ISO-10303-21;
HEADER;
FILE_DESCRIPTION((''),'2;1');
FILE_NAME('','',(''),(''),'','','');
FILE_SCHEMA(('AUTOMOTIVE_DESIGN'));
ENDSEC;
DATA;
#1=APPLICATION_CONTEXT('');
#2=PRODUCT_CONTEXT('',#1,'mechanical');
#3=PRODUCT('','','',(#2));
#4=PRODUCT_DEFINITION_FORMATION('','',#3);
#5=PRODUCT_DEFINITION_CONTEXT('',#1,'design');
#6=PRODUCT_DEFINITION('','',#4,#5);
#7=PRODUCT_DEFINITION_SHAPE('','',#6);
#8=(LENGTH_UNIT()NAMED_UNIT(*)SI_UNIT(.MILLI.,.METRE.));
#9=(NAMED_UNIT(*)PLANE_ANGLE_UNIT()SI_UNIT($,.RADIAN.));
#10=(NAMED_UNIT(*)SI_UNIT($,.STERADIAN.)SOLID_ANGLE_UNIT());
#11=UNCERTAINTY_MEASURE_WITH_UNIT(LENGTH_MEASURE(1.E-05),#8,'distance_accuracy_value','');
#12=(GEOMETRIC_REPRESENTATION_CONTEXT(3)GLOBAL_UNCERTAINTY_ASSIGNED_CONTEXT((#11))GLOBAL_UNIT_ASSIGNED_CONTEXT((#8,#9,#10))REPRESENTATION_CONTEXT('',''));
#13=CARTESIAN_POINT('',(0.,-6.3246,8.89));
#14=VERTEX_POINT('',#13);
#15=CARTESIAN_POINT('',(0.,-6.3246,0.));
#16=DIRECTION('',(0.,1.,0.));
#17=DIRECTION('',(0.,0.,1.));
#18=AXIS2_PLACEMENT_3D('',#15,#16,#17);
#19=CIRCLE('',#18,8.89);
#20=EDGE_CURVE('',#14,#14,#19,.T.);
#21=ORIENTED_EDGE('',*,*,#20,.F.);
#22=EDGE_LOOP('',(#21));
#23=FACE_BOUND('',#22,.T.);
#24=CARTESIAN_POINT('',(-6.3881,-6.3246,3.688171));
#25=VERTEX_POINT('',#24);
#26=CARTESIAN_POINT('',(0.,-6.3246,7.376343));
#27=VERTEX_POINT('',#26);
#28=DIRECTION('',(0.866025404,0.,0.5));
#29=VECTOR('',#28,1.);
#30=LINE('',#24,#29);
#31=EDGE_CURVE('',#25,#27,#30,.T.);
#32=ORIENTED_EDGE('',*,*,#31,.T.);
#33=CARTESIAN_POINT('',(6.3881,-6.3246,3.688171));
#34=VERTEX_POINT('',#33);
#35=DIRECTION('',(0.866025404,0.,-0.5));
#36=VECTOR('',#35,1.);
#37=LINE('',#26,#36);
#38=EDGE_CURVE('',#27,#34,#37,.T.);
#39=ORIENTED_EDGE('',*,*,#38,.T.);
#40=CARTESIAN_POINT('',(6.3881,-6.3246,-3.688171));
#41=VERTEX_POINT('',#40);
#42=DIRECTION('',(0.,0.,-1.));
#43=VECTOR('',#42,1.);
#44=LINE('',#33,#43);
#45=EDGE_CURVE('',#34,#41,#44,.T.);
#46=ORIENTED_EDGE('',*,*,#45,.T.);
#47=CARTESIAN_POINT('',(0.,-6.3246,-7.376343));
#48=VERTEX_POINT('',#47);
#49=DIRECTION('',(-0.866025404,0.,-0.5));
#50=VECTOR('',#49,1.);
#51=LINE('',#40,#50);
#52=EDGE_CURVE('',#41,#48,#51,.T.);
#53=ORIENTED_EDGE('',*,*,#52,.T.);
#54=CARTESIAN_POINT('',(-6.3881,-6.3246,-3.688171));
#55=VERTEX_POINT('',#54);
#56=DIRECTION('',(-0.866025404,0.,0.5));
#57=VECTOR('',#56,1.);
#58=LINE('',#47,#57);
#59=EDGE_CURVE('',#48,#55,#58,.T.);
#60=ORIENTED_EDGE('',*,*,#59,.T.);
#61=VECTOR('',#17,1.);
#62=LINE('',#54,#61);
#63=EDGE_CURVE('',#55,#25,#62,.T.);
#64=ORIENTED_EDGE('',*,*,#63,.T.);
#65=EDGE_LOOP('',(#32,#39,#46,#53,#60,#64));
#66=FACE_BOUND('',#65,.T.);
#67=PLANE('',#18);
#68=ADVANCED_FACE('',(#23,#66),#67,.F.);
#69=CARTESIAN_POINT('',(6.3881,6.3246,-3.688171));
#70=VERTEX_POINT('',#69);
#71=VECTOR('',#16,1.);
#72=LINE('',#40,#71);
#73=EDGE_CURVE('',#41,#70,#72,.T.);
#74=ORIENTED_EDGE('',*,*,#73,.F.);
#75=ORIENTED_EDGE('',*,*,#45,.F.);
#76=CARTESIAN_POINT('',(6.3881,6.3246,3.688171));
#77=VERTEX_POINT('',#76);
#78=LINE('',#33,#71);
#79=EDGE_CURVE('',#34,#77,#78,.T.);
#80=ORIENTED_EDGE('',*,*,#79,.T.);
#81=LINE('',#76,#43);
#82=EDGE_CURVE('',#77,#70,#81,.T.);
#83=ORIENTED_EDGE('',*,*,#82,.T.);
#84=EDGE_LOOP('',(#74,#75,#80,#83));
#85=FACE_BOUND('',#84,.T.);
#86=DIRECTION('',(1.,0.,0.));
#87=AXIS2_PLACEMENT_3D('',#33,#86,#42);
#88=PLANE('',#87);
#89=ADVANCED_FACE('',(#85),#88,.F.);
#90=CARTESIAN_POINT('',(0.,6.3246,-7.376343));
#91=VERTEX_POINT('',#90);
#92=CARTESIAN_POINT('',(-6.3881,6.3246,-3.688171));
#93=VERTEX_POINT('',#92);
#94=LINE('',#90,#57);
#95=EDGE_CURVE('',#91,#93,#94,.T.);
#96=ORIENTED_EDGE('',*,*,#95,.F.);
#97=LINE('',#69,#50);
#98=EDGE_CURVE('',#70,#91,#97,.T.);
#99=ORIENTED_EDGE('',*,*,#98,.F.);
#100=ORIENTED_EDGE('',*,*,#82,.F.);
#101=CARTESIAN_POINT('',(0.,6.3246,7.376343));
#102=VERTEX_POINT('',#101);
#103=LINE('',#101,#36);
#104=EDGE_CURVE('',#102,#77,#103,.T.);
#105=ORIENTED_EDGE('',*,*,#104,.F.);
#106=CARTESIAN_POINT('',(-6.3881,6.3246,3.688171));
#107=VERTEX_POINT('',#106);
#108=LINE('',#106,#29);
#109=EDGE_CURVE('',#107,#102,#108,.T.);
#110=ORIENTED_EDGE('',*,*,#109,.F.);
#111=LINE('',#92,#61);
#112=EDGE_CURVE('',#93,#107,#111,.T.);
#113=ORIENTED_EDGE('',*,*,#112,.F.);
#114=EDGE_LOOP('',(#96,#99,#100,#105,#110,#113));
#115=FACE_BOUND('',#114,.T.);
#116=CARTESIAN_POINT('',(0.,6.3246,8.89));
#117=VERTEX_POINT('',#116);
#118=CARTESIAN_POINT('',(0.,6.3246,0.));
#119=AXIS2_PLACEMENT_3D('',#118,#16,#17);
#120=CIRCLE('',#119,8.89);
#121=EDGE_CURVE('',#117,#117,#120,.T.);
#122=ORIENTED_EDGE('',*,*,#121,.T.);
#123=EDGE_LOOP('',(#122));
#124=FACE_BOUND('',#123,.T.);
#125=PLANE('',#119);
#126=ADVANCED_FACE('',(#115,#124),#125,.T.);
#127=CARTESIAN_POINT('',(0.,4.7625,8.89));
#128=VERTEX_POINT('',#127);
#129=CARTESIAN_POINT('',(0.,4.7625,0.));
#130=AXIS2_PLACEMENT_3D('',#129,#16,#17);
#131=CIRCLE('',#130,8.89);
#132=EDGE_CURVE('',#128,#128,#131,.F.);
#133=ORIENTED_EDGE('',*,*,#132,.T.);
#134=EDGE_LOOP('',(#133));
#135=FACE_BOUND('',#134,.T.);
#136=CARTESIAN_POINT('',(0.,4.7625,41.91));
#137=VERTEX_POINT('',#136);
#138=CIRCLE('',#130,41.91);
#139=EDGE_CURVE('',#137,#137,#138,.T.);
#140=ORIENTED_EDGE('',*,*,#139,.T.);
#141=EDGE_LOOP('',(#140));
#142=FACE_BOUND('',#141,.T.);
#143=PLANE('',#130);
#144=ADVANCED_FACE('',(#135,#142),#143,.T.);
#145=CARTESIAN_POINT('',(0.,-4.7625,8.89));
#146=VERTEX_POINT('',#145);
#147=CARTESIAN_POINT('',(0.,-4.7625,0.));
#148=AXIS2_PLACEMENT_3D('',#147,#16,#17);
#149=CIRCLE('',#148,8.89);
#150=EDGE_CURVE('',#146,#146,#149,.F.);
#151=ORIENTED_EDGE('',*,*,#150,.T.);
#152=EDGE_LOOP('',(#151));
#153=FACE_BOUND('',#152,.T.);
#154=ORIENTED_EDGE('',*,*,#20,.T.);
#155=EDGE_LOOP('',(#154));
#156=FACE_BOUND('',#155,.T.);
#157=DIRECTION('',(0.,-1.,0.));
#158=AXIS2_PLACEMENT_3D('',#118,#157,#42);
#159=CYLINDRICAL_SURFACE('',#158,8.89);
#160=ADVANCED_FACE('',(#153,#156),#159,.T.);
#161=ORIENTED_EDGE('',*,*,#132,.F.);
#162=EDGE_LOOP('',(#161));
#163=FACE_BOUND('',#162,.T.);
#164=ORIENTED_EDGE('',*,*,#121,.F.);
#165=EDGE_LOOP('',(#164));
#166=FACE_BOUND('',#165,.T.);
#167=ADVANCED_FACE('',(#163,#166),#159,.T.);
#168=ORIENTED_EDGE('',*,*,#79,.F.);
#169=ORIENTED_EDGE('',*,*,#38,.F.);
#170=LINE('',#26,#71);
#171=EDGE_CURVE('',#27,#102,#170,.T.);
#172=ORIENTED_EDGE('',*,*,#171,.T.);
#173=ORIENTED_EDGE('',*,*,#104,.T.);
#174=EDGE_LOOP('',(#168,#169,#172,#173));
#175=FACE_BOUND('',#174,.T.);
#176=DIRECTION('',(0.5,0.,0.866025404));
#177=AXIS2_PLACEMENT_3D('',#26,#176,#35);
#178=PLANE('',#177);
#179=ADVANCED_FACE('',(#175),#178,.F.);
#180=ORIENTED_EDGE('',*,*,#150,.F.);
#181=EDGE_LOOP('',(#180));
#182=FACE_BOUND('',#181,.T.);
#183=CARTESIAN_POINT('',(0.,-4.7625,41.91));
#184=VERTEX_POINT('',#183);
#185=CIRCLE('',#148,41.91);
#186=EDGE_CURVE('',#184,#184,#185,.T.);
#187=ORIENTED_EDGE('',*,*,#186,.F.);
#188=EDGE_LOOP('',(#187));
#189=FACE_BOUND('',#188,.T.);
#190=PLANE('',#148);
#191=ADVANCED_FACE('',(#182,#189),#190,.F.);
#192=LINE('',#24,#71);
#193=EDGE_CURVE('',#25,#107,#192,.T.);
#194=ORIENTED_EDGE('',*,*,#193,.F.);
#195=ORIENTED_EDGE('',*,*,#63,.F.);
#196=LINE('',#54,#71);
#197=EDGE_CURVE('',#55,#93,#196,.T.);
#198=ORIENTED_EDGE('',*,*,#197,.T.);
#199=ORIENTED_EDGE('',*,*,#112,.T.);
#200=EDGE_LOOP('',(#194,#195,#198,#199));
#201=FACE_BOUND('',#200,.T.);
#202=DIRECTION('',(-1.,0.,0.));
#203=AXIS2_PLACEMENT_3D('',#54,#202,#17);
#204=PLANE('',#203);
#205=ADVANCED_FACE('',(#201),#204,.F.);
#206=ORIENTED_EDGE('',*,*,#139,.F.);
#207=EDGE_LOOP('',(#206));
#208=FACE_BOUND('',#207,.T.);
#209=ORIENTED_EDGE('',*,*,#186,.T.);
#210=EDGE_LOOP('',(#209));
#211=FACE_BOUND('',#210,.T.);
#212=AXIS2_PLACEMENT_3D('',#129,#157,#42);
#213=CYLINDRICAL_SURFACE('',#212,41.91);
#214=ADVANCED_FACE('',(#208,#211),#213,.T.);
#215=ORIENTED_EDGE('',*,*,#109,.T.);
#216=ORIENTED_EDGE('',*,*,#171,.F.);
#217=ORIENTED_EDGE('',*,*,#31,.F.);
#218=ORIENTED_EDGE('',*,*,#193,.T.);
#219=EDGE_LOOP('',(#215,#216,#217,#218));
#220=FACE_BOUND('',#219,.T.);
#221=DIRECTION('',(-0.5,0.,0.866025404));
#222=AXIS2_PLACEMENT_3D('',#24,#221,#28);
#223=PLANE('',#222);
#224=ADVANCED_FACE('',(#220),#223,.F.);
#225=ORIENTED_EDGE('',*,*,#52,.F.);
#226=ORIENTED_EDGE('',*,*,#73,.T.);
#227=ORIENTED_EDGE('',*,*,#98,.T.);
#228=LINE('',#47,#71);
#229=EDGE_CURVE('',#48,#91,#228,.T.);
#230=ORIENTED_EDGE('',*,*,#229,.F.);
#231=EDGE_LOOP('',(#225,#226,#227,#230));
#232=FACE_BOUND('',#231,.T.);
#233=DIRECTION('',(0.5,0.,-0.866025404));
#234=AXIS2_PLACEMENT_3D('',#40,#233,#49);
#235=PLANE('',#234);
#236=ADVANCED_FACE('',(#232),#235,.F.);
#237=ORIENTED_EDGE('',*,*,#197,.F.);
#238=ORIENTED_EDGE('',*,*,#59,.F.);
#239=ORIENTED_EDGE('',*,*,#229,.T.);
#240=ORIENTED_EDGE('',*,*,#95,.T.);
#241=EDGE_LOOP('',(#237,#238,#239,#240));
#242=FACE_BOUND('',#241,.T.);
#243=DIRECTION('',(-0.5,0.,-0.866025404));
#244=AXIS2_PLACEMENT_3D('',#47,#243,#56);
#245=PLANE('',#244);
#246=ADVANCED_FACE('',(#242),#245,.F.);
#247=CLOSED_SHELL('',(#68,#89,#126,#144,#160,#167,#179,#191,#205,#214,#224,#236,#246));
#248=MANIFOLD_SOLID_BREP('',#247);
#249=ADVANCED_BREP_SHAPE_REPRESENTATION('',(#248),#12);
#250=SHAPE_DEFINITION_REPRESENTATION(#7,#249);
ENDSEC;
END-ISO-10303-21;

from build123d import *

# Parameters (mm, degrees)
SKETCH1_R           = 41.91
BOSS_EXTRUDE1_DEPTH = 4.7625
SKETCH2_R           = 8.89
BOSS_EXTRUDE2_DEPTH = 6.3246
CUT_EXTRUDE1_DEPTH  = 13.6492


with BuildPart() as part:
    # Sketch1 → Boss-Extrude1 (new body, symmetric)
    with BuildSketch(Plane(origin=(0, 0, 0), x_dir=(1, 0, 0), z_dir=(0, 1, 0))):
        Circle(SKETCH1_R)
    extrude(amount=BOSS_EXTRUDE1_DEPTH, both=True)

    # Sketch2 → Boss-Extrude2 (add, symmetric)
    with BuildSketch(Plane(origin=(0, 0, 0), x_dir=(1, 0, 0), z_dir=(0, 1, 0))):
        Circle(SKETCH2_R)
    extrude(amount=BOSS_EXTRUDE2_DEPTH, both=True)

    # Sketch3 → Cut-Extrude1 (cut, through all)
    with BuildSketch(Plane(origin=(0, 6.3246, 0), x_dir=(1, 0, 0), z_dir=(0, 1, 0))):
        Polygon((0, 7.376342509), (-6.3881, 3.688171255), (-6.3881, -3.688171255), (0, -7.376342509), (6.3881, -3.688171255), (6.3881, 3.688171255), align=None)
    extrude(amount=-CUT_EXTRUDE1_DEPTH, mode=Mode.SUBTRACT)


solid = part.part
